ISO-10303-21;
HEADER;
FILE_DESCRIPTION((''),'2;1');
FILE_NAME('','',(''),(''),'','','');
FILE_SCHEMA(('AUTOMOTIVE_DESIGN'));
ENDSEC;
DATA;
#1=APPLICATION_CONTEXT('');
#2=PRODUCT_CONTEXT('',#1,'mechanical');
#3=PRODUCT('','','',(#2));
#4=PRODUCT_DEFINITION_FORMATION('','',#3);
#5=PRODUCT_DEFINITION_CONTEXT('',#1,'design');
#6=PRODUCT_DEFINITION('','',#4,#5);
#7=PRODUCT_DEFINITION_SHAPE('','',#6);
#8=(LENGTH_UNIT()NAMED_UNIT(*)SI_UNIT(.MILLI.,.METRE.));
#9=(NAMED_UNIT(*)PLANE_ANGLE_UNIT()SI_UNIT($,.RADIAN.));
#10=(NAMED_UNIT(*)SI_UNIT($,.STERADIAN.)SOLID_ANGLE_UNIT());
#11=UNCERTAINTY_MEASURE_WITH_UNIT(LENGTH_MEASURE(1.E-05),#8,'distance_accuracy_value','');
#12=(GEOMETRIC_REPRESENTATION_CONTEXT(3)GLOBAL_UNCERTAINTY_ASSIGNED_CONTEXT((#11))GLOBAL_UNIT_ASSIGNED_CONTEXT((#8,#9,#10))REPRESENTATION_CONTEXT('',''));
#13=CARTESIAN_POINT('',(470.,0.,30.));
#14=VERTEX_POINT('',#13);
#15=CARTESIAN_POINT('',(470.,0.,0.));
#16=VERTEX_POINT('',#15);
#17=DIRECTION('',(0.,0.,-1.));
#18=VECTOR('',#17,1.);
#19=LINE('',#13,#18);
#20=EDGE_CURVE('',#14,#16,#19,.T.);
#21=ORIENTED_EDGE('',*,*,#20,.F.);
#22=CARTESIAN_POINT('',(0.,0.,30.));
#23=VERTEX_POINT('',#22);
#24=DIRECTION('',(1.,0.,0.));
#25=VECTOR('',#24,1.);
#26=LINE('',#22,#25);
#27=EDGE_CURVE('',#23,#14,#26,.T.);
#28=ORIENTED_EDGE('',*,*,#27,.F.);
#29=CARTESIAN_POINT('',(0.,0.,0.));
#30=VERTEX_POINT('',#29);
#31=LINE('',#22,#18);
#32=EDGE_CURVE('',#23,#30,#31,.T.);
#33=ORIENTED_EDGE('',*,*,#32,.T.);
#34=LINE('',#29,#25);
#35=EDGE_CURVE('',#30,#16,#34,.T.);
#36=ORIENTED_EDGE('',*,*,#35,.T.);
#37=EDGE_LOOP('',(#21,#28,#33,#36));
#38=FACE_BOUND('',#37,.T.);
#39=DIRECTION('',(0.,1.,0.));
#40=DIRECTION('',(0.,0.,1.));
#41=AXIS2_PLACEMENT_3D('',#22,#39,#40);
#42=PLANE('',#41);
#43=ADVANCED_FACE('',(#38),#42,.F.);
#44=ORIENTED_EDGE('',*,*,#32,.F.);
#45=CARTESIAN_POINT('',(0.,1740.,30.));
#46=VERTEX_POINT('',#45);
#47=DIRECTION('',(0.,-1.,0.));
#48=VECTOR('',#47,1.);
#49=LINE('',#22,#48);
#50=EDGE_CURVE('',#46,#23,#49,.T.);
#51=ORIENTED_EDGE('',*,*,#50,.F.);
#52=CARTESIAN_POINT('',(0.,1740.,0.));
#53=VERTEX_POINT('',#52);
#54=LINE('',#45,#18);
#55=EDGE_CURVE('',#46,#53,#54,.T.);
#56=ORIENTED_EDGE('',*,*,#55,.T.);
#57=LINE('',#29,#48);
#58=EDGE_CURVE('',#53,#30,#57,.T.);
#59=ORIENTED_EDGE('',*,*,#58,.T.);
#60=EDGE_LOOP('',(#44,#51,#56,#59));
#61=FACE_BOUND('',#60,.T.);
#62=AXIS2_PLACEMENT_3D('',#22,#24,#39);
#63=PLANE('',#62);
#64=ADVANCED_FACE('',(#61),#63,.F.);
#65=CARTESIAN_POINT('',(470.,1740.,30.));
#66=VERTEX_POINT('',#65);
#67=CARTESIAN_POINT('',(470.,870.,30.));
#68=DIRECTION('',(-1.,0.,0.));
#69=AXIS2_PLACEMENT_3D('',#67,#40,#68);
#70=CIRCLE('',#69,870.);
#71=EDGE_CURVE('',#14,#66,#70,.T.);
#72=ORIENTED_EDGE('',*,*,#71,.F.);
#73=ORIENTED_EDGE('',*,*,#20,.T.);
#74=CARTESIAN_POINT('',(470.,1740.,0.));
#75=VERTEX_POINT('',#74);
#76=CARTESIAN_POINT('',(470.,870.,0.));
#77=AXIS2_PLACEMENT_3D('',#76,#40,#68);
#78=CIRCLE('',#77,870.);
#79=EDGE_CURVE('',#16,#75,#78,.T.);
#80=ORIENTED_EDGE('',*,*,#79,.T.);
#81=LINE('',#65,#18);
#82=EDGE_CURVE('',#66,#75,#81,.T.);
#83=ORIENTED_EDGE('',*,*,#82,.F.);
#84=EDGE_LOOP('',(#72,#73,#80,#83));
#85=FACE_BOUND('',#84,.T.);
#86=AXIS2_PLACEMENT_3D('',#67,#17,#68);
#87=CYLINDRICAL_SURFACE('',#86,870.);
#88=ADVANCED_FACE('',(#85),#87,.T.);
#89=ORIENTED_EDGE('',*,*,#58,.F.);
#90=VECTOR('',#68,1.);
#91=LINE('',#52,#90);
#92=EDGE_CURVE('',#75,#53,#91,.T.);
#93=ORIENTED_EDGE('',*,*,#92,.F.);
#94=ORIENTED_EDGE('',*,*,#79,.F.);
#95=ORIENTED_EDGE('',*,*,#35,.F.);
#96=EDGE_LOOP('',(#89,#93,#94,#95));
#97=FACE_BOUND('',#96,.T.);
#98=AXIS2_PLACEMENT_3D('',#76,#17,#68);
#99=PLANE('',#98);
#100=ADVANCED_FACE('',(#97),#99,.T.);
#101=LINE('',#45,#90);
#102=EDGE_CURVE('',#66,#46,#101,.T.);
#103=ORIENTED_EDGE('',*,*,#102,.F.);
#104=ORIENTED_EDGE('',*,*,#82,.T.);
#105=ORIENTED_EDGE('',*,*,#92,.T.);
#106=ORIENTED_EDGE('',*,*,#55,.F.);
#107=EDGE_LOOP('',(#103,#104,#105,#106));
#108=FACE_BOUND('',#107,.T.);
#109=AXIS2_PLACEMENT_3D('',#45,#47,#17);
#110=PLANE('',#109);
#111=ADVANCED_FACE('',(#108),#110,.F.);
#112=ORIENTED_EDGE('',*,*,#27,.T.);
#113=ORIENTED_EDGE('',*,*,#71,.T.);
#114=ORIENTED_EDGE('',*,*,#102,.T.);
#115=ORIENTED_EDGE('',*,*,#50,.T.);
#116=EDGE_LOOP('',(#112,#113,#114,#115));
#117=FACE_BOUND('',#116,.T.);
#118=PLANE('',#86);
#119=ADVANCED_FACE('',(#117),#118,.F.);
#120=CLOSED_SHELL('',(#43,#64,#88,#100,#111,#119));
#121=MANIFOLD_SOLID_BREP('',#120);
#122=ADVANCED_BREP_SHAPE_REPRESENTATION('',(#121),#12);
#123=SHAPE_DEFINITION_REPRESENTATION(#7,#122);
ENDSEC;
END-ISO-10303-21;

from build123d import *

# Parameters (mm, degrees)
BOSS_EXTRUDE1_DEPTH = 30


with BuildPart() as part:
    # Sketch1 → Boss-Extrude1 (new body)
    with BuildSketch(Plane.XY):
        with BuildLine():
            Line((0, 0), (470, 0))
            ThreePointArc((470, 0), (1340, 870), (470, 1740))
            Line((470, 1740), (0, 1740))
            Line((0, 1740), (0, 0))
        make_face()
    extrude(amount=BOSS_EXTRUDE1_DEPTH)


solid = part.part
